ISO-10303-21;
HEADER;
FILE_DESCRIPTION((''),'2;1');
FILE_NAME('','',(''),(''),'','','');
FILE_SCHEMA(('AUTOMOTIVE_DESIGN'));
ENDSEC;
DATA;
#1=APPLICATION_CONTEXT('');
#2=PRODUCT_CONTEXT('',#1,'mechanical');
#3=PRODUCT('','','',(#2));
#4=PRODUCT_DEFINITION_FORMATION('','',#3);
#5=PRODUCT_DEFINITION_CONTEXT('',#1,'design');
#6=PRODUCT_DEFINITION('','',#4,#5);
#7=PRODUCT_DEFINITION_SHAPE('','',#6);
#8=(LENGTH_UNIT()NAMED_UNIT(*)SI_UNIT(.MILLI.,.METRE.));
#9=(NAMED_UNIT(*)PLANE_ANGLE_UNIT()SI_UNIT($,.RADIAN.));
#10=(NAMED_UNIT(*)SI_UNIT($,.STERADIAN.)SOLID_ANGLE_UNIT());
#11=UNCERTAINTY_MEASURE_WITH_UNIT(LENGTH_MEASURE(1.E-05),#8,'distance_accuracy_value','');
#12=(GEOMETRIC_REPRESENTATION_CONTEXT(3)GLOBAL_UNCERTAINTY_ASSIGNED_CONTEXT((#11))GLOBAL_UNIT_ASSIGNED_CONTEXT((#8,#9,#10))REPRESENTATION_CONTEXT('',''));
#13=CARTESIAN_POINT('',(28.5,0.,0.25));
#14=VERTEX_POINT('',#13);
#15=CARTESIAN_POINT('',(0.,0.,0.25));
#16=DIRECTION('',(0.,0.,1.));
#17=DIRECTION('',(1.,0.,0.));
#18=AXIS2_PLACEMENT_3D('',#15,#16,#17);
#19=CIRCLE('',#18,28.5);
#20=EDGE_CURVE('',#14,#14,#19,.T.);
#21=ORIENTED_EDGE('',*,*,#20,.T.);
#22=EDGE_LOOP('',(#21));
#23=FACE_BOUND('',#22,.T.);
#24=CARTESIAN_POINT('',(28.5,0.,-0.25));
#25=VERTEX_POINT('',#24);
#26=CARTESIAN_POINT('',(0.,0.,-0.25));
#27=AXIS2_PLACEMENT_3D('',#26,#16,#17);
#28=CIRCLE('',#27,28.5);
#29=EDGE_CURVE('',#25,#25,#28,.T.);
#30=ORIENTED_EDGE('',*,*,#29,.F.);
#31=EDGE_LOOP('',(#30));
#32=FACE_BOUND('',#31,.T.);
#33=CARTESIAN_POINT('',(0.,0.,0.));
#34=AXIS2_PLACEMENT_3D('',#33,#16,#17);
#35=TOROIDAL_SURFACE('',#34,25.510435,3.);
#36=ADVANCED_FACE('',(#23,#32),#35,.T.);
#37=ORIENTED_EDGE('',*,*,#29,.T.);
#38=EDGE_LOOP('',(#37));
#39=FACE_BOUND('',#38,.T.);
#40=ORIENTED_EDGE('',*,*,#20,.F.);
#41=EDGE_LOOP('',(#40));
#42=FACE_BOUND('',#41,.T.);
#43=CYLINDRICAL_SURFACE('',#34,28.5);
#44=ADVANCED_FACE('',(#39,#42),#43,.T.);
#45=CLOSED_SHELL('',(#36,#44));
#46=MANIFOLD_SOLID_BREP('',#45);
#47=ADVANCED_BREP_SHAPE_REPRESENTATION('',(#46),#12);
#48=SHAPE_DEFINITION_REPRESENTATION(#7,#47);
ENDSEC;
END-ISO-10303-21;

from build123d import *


with BuildPart() as part:
    # Sketch1 → Revolve1 (revolve)
    with BuildSketch(Plane(origin=(0, 0, 0), x_dir=(0, 0, -1), z_dir=(1, 0, 0)), mode=Mode.PRIVATE) as revolve1_sk:
        with BuildLine():
            Line((-0.25, 28.5), (0.25, 28.5))
            ThreePointArc((0.25, 28.5), (0, 22.510434814), (-0.25, 28.5))
        make_face()
    revolve(revolve1_sk.sketch.rotate(Axis((0, 0, 0), (0, 0, -1)), 90), axis=Axis((0, 0, 0), (0, 0, -1)))


solid = part.part
